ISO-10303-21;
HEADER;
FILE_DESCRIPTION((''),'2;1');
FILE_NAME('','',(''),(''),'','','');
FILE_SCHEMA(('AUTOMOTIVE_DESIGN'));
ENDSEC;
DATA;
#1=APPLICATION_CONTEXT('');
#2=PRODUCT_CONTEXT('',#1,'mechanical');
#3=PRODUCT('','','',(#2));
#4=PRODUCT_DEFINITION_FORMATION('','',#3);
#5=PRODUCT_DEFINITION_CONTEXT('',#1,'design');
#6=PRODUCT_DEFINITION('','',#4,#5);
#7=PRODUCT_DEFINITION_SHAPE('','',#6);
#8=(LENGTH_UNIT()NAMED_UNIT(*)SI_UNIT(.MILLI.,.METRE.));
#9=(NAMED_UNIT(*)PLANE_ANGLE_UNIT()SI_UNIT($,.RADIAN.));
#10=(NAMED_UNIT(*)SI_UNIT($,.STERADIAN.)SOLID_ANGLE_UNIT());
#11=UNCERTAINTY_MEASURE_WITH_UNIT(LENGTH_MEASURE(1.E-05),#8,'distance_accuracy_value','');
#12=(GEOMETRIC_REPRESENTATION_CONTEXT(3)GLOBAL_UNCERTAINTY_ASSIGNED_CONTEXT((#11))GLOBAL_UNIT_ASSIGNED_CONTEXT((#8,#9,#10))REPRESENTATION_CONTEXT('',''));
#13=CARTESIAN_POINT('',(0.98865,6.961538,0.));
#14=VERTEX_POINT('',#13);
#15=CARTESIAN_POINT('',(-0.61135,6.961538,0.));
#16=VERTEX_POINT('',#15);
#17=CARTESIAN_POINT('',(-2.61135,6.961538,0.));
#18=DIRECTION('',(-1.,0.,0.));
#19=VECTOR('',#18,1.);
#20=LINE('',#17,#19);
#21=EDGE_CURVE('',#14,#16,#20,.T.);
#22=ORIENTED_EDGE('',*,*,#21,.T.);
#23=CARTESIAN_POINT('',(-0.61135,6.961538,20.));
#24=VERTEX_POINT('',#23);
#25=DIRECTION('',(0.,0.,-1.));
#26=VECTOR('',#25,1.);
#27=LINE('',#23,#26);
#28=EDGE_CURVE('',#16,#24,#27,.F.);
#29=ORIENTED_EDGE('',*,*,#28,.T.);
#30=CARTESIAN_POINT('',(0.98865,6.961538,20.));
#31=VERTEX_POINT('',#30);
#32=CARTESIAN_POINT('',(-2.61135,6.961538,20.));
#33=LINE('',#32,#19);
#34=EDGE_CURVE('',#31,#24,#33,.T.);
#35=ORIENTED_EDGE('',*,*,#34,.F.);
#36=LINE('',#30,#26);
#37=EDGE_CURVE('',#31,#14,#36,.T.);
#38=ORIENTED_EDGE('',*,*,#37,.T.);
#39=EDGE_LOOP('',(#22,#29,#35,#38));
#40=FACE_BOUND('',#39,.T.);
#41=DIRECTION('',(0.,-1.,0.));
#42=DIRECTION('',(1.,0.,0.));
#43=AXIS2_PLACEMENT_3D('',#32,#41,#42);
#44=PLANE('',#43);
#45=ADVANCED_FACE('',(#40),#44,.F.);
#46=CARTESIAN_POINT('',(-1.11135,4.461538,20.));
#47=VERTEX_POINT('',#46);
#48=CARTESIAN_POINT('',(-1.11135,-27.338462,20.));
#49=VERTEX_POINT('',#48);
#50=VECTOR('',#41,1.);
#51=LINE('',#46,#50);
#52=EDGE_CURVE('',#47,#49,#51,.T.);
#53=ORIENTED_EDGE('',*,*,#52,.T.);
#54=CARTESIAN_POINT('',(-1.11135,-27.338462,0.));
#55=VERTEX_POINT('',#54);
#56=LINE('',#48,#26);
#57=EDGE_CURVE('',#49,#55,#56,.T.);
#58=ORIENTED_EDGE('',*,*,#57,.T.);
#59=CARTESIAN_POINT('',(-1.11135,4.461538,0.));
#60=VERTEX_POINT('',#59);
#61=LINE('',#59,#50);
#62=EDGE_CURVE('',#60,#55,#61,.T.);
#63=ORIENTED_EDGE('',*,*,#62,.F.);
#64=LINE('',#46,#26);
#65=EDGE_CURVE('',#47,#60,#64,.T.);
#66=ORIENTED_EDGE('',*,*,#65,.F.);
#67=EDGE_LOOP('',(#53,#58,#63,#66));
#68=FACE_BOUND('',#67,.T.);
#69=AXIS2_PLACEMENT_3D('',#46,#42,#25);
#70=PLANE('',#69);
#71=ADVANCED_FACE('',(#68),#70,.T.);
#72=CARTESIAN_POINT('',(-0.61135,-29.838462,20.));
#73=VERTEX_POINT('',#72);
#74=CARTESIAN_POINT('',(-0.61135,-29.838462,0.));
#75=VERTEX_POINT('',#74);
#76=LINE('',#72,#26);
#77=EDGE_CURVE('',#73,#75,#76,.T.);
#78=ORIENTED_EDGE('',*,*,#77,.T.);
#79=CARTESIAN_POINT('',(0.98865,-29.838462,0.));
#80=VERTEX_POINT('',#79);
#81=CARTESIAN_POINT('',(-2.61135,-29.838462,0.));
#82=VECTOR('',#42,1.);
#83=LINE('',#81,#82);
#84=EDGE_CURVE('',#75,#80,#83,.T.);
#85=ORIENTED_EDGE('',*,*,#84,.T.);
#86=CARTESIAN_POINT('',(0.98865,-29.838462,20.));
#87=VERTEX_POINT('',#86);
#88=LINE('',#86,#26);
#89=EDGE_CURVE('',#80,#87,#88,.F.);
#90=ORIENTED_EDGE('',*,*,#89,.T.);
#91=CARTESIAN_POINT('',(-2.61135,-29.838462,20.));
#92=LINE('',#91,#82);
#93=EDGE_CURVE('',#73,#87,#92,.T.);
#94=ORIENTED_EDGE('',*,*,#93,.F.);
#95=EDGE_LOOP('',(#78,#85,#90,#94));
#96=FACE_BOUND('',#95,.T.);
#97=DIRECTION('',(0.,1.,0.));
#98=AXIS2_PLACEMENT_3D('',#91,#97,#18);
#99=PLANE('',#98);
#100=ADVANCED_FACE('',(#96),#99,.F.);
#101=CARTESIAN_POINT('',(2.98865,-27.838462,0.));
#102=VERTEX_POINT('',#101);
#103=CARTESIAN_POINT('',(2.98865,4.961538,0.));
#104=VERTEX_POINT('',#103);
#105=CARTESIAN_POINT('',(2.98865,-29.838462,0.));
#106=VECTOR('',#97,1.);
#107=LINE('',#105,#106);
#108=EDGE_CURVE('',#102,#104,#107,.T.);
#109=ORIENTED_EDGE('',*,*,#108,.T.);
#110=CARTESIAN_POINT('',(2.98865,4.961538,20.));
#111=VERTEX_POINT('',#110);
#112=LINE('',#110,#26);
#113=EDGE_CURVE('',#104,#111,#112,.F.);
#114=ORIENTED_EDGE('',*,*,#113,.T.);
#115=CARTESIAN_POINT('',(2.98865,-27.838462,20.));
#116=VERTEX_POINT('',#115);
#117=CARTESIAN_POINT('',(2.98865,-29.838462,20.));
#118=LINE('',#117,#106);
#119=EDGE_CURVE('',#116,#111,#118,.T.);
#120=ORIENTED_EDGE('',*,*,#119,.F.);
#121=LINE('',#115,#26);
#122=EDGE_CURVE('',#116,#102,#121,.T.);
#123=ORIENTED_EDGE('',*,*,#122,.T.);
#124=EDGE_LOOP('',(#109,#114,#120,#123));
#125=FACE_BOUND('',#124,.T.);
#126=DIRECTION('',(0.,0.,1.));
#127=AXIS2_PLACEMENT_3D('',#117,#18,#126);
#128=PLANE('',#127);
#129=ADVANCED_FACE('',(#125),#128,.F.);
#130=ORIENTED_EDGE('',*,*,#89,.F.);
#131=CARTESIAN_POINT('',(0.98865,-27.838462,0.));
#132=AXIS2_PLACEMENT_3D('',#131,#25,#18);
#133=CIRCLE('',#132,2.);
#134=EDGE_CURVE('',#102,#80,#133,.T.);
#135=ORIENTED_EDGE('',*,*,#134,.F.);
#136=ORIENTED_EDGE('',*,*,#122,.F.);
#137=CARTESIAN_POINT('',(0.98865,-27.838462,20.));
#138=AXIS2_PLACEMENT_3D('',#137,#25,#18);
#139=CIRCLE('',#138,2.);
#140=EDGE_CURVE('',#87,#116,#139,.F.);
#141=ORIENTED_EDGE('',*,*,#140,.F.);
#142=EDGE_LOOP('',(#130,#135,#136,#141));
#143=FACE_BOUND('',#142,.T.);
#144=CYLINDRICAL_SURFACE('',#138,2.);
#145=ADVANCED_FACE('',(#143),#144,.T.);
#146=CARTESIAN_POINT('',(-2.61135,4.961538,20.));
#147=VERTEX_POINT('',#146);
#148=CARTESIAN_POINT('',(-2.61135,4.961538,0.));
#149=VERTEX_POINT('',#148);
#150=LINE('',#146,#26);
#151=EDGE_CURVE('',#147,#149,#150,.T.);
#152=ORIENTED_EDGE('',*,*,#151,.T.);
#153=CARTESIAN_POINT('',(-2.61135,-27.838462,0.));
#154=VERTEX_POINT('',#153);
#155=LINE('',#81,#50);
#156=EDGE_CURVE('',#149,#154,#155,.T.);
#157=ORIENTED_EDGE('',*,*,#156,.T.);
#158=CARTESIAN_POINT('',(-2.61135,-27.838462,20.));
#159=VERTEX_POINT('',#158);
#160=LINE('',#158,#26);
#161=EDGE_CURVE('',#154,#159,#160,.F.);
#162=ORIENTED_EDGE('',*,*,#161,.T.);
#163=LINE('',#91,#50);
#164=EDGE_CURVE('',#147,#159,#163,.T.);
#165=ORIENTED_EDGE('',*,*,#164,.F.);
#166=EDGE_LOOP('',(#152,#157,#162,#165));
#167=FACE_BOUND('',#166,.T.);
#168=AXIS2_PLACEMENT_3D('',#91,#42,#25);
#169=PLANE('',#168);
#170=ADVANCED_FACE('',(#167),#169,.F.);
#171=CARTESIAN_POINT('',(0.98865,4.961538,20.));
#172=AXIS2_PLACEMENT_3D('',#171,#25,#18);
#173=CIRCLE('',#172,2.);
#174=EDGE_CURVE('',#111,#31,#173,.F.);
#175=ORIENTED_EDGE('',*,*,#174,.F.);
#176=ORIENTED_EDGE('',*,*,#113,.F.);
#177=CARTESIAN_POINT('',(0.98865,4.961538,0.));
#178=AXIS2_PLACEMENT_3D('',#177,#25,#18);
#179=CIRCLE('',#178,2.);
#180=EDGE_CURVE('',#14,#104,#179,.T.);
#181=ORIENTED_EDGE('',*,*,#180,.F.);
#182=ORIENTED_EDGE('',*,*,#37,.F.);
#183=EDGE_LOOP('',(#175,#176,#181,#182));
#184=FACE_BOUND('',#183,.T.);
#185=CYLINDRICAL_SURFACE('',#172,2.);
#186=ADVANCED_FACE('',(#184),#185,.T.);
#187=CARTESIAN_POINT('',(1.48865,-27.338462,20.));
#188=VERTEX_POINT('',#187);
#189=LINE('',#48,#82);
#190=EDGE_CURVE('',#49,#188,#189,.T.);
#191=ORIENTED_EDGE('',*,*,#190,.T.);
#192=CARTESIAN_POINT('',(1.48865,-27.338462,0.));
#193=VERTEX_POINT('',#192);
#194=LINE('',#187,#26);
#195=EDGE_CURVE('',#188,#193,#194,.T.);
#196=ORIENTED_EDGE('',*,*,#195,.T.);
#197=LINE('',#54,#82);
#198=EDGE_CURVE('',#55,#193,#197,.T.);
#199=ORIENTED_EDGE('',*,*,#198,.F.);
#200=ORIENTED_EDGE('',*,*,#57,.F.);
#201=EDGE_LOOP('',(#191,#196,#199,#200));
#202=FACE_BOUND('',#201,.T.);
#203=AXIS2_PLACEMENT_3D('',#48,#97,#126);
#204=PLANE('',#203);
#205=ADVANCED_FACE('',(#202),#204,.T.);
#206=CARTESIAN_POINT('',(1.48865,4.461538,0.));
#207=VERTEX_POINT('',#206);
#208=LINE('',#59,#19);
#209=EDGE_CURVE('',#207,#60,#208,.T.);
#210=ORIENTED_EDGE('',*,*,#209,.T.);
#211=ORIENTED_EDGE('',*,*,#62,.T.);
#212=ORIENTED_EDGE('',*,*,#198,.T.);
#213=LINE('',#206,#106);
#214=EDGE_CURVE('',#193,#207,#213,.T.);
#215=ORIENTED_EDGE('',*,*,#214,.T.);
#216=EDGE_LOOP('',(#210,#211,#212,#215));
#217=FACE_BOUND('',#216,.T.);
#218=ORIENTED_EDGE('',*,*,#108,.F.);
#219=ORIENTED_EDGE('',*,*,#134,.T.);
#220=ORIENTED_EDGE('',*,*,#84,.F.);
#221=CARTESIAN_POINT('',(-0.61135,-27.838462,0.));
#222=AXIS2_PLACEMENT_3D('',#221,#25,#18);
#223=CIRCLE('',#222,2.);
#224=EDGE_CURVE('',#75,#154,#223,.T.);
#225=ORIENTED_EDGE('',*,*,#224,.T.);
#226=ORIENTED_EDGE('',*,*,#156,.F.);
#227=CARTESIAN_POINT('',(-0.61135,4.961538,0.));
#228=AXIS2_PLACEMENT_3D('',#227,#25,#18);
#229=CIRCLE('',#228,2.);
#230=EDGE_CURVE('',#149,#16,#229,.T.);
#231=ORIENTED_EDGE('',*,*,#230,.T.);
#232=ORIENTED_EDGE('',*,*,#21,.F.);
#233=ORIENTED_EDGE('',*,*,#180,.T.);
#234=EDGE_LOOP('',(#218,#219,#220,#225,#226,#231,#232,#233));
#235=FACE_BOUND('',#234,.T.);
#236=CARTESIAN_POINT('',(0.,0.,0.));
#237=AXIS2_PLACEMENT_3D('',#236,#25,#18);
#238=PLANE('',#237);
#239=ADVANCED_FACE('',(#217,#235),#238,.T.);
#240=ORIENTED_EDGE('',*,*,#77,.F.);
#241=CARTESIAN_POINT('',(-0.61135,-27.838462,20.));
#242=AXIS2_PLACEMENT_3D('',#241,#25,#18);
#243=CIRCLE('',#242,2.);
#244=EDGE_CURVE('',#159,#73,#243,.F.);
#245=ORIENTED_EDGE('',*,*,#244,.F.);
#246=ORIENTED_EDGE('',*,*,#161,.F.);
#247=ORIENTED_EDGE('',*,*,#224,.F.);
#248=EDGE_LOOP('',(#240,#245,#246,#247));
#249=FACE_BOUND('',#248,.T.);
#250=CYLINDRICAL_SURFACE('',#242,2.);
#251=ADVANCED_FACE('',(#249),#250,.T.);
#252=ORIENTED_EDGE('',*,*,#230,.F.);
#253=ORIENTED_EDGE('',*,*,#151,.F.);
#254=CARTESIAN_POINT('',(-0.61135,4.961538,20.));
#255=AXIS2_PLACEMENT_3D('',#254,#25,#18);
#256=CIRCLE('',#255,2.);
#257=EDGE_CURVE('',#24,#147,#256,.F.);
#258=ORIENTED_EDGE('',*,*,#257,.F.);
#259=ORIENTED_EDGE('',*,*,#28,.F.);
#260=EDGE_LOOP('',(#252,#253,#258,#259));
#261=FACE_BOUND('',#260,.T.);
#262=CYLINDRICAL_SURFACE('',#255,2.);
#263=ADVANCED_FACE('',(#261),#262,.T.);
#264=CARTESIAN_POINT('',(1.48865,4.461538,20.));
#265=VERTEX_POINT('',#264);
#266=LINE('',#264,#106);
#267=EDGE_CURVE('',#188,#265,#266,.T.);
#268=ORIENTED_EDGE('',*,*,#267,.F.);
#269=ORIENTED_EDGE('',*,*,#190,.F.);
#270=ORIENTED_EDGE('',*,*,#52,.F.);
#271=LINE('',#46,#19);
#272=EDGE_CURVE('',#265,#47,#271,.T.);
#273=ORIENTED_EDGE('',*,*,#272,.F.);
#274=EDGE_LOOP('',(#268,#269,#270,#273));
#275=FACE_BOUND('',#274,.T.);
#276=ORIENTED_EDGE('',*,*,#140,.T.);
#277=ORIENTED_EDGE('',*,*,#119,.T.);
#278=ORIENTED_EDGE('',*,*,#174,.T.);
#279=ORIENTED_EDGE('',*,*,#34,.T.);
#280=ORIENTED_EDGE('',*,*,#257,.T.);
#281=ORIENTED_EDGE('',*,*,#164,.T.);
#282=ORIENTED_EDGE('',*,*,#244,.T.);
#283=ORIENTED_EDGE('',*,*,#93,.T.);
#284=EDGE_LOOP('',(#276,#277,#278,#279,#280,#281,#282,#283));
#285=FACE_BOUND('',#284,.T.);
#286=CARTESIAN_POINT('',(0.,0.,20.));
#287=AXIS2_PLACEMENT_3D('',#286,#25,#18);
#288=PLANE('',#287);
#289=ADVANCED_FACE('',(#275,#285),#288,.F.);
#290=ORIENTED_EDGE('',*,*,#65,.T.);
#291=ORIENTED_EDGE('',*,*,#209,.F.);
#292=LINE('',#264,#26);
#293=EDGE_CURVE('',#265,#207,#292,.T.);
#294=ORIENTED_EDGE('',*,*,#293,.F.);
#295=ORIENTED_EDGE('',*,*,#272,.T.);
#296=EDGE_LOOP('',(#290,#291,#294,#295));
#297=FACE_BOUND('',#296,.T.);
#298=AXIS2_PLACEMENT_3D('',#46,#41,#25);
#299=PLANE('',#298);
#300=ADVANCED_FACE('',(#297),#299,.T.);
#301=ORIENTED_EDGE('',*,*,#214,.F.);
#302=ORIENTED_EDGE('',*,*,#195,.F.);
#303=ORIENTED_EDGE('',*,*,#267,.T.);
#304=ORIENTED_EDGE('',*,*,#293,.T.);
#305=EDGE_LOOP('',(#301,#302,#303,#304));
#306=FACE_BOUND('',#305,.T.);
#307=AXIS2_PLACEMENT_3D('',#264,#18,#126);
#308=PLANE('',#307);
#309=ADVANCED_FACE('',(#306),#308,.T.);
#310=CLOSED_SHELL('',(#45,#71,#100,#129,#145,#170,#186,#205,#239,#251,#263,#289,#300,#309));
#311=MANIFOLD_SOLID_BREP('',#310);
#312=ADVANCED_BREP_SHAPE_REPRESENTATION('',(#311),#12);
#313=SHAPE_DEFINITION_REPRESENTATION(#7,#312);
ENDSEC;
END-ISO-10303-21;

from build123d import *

# Parameters (mm, degrees)
ESQUISSE1_W        = 5.6
ESQUISSE1_H        = 36.8
ESQUISSE1_W_2      = 2.6
ESQUISSE1_H_2      = 31.8
BOSS_EXTRU_1_DEPTH = 20
CONG_1_R           = 2


with BuildPart() as part:
    # Esquisse1 → Boss.-Extru.1 (new body)
    with BuildSketch(Plane.XY):
        with Locations((0.188649611, -11.438461538)):
            Rectangle(ESQUISSE1_W, ESQUISSE1_H)
        with Locations((0.188649611, -11.438461538)):
            Rectangle(ESQUISSE1_W_2, ESQUISSE1_H_2, mode=Mode.SUBTRACT)
    extrude(amount=BOSS_EXTRU_1_DEPTH)

    # Congé1
    cong_1_edges = [part.edges().sort_by_distance(p)[0] for p in [
        (-2.611350389, 6.961538462, 10),
        (2.988649611, 6.961538462, 10),
        (2.988649611, -29.838461538, 10),
        (-2.611350389, -29.838461538, 10),
    ]]
    fillet(cong_1_edges, radius=CONG_1_R)


solid = part.part
